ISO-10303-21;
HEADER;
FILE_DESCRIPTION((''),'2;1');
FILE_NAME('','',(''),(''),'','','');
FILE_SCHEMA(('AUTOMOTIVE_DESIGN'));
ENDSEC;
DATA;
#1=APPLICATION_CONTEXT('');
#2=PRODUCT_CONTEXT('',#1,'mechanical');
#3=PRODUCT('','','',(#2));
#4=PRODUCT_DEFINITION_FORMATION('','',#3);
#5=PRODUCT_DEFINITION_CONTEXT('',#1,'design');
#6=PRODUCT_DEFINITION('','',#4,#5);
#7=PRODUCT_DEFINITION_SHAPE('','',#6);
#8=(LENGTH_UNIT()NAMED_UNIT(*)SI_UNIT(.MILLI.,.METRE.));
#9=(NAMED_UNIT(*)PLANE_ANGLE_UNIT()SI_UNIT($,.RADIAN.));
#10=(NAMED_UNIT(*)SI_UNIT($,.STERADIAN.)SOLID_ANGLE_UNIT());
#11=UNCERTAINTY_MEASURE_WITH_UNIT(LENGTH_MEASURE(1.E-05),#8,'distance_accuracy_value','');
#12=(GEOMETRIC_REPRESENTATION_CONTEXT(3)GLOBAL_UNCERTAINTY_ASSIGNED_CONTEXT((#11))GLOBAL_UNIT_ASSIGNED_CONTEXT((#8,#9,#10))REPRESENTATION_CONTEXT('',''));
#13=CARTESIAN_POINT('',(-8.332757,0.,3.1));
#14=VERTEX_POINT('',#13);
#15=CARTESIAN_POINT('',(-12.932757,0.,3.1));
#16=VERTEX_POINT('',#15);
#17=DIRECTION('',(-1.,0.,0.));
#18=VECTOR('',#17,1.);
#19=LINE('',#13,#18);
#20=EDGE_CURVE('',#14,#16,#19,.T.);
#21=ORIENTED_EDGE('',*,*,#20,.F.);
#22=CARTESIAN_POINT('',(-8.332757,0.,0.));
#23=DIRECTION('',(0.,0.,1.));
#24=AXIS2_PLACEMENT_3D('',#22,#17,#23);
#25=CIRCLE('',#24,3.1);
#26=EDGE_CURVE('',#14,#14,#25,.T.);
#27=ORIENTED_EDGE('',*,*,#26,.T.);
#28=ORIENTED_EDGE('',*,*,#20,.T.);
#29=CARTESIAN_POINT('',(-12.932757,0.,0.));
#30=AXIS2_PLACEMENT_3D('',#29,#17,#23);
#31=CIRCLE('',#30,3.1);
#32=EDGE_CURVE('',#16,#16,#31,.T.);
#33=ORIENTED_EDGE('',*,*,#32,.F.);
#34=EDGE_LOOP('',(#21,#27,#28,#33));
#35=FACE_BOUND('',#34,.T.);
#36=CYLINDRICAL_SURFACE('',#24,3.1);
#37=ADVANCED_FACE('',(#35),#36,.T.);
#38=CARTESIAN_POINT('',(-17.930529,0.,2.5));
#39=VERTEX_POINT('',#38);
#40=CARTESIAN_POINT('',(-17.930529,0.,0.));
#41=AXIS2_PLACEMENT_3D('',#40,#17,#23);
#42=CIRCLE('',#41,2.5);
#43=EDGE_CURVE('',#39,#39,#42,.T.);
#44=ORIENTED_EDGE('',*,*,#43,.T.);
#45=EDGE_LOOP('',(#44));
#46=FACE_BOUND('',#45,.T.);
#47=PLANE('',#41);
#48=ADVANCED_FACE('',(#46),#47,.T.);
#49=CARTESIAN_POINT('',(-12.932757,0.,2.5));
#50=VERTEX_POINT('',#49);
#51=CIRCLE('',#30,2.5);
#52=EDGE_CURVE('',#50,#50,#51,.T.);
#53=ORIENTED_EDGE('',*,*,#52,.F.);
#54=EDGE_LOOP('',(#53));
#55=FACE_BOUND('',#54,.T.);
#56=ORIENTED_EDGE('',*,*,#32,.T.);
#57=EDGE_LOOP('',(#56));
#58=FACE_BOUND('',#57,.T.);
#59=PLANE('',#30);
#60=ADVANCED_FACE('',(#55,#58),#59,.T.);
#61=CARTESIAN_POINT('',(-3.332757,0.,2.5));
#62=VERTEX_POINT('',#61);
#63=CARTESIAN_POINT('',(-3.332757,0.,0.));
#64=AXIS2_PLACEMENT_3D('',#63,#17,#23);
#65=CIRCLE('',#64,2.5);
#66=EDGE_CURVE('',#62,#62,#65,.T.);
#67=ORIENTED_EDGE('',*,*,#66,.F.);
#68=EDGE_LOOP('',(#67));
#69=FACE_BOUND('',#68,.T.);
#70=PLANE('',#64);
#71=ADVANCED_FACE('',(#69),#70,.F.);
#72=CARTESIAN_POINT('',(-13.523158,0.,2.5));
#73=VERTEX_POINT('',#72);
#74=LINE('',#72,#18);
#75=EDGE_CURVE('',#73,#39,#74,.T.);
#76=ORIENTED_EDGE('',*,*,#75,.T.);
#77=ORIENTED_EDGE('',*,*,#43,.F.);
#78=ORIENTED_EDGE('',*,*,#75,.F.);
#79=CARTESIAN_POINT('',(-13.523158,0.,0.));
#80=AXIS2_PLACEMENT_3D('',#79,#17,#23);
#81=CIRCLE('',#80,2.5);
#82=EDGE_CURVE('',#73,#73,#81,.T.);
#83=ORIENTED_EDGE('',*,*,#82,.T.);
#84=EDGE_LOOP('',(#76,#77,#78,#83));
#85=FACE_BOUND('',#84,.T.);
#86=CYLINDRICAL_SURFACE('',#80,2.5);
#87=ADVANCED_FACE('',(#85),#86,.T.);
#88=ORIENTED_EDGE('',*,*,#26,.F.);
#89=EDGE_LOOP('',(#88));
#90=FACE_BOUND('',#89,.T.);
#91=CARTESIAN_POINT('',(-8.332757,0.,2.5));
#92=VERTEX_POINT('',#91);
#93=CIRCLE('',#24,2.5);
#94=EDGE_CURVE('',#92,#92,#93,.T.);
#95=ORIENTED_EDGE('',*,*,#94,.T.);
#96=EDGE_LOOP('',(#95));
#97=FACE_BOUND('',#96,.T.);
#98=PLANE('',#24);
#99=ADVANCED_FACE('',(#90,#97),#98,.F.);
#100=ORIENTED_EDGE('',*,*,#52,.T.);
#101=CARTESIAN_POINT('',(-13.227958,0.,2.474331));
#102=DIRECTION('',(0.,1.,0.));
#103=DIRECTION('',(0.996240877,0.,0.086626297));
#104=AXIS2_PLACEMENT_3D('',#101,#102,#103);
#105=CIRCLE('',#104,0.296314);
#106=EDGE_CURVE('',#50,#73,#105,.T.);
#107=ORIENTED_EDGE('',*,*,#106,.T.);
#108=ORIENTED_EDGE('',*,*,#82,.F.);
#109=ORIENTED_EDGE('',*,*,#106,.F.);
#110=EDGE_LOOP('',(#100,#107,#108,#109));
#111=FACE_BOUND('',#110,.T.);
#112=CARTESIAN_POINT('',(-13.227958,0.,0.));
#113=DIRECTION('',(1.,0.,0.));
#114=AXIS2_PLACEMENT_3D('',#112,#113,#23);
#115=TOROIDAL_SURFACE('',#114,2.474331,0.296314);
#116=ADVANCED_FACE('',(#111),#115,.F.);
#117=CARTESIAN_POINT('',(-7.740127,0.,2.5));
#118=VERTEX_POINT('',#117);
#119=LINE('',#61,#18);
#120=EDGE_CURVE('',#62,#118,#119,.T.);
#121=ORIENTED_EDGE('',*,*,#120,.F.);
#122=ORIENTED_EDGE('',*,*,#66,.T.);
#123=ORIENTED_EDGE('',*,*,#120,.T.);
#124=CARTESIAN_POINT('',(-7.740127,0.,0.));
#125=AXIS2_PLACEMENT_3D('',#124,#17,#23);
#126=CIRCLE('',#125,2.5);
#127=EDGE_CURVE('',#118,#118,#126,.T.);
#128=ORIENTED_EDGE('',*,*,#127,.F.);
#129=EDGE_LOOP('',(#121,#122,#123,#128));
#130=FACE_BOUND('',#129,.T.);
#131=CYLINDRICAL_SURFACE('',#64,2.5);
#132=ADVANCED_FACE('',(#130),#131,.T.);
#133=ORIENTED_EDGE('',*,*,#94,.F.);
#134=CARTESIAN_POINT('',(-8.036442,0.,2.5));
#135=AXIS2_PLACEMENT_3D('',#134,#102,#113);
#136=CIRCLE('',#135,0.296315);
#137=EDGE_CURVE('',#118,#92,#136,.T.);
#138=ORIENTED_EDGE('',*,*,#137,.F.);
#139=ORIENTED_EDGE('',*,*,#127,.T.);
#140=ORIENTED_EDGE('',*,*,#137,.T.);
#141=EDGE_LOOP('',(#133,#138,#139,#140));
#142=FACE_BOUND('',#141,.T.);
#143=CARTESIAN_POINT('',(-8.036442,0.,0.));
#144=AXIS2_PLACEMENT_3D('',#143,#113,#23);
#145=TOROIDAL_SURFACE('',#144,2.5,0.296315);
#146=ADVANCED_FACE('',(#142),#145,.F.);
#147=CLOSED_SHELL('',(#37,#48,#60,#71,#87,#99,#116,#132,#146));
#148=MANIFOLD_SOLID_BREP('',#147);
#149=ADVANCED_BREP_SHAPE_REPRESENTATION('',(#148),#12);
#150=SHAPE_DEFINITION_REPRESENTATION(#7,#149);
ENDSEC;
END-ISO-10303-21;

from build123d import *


with BuildPart() as f1:
    # F0 (on Front) → F1 (revolve)
    with BuildSketch(Plane.XZ):
        with BuildLine():
            Line((-13.523158, 2.5), (-17.930529, 2.5))
            Line((-17.930529, 2.5), (-17.930529, 0))
            Line((-17.930529, 0), (-3.332757, 0))
            Line((-3.332757, 0), (-3.332757, 2.5))
            Line((-3.332757, 2.5), (-7.740127, 2.5))
            ThreePointArc((-7.740127, 2.5), (-8.036442, 2.203685), (-8.332757, 2.5))
            Line((-8.332757, 2.5), (-8.332757, 3.1))
            Line((-8.332757, 3.1), (-12.932757, 3.1))
            Line((-12.932757, 3.1), (-12.932757, 2.5))
            ThreePointArc((-12.932757, 2.5), (-13.227957, 2.178017), (-13.523158, 2.5))
        make_face()
    revolve(axis=Axis((-10.631643, 0, 0), (-1, 0, 0)))


solid = f1.part
